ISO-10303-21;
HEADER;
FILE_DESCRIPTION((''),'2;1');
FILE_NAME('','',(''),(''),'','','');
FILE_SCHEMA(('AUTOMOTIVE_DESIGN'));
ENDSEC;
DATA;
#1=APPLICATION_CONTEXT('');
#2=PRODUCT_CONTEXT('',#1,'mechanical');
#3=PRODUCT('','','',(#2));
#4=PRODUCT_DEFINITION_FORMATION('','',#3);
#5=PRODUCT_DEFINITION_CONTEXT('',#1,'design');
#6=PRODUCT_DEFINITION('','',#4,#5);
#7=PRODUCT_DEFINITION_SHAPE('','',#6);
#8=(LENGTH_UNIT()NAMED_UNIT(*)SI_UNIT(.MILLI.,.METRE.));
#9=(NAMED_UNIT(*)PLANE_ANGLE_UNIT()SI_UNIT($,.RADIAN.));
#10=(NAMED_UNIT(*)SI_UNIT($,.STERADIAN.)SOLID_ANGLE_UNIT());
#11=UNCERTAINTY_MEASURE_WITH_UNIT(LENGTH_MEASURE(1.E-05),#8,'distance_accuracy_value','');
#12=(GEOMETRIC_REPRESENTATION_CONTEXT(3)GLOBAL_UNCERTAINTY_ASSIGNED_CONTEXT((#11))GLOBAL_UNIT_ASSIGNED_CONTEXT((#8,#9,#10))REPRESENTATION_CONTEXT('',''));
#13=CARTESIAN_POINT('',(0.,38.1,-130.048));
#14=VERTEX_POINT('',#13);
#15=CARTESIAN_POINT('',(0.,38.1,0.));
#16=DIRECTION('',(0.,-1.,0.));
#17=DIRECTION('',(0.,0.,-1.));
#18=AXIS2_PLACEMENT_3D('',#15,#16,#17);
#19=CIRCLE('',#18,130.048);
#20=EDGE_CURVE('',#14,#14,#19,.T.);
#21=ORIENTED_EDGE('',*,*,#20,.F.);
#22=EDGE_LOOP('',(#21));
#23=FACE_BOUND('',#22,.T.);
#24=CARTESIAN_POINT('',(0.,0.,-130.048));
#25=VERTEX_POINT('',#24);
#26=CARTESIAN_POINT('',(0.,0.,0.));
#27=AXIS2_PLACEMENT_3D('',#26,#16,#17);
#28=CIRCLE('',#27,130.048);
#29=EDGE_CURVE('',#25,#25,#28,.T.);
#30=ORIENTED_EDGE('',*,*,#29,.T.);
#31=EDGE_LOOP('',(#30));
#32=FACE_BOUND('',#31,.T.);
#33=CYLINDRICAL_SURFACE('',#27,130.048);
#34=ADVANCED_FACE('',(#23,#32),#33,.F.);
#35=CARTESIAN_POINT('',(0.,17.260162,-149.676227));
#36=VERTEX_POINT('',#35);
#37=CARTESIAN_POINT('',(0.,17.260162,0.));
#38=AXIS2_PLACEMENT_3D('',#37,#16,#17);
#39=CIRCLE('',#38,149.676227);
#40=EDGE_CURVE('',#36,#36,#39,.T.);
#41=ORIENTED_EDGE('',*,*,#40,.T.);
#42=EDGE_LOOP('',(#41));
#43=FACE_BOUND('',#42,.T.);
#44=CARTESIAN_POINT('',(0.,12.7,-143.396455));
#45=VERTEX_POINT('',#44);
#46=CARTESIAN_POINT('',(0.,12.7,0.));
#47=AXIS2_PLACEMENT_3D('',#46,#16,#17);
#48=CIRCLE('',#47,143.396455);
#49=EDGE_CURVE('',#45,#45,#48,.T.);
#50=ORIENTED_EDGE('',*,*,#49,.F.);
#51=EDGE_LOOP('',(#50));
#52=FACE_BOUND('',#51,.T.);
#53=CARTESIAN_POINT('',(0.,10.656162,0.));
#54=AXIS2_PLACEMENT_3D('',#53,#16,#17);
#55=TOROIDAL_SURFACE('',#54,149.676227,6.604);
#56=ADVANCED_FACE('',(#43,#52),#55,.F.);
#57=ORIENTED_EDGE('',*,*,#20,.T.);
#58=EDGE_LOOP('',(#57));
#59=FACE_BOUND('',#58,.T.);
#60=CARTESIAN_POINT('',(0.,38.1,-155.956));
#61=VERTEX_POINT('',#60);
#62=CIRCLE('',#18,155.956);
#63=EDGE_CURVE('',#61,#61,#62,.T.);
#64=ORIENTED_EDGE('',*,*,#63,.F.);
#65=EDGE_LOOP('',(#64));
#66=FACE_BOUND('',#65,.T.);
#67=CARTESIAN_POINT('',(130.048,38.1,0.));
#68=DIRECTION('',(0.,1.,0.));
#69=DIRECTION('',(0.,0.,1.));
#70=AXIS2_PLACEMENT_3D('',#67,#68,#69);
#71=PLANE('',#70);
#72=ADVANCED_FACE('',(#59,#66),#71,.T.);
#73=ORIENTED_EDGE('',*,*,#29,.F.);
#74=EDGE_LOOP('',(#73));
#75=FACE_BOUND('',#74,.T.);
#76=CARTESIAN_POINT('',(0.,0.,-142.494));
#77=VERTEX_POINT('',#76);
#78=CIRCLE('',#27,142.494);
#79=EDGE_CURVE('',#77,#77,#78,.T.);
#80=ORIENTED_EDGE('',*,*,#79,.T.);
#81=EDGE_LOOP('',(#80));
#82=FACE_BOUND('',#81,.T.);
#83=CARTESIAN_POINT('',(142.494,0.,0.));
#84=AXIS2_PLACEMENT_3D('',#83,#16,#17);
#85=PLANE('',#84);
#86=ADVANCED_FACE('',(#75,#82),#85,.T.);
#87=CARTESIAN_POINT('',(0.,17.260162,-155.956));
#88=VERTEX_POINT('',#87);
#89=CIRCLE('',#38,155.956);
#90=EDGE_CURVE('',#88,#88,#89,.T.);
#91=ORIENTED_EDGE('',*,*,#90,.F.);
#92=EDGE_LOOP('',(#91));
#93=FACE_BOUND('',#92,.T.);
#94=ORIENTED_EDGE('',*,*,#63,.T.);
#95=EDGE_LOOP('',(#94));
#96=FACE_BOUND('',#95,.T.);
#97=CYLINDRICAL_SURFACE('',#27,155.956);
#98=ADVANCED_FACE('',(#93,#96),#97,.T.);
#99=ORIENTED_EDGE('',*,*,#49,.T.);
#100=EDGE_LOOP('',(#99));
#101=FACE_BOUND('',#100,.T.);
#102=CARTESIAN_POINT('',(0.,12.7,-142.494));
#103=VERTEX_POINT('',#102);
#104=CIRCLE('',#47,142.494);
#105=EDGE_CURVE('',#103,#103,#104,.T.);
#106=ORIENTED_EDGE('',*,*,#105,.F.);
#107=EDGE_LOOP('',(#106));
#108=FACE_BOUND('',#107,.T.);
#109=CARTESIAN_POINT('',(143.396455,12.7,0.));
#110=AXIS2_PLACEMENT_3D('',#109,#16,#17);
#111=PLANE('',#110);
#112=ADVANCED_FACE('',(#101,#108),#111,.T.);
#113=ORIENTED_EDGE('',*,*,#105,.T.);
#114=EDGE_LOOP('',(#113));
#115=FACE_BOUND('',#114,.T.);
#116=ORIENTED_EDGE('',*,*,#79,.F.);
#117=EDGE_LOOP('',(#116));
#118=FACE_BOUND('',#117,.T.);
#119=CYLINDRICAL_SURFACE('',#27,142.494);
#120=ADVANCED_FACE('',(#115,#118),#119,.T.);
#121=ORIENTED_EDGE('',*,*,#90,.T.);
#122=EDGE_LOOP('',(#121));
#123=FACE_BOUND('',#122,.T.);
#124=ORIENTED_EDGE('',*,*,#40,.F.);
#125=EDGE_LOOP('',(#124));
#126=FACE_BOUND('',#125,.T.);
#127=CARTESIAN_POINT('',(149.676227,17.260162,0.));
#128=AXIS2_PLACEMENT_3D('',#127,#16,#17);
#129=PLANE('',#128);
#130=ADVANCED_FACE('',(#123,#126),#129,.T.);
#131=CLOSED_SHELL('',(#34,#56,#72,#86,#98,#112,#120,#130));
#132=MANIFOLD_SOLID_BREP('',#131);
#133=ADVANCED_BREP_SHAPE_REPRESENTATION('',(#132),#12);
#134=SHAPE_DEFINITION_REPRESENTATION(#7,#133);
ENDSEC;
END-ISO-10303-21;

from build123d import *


with BuildPart() as part:
    # Esquisse1 → Révolution1 (revolve)
    with BuildSketch(Plane.XY):
        with BuildLine():
            Line((143.396454905, 12.7), (142.494, 12.7))
            Line((142.494, 12.7), (142.494, 0))
            Line((142.494, 0), (130.048, 0))
            Line((130.048, 0), (130.048, 38.1))
            Line((130.048, 38.1), (155.956, 38.1))
            Line((155.956, 38.1), (155.956, 17.260162249))
            Line((155.956, 17.260162249), (149.676227452, 17.260162249))
            ThreePointArc((149.676227452, 17.260162249), (145.79580792, 15.999865109), (143.396454905, 12.7))
        make_face()
    revolve(axis=Axis((0, 0, 0), (0, 1, 0)))


solid = part.part
